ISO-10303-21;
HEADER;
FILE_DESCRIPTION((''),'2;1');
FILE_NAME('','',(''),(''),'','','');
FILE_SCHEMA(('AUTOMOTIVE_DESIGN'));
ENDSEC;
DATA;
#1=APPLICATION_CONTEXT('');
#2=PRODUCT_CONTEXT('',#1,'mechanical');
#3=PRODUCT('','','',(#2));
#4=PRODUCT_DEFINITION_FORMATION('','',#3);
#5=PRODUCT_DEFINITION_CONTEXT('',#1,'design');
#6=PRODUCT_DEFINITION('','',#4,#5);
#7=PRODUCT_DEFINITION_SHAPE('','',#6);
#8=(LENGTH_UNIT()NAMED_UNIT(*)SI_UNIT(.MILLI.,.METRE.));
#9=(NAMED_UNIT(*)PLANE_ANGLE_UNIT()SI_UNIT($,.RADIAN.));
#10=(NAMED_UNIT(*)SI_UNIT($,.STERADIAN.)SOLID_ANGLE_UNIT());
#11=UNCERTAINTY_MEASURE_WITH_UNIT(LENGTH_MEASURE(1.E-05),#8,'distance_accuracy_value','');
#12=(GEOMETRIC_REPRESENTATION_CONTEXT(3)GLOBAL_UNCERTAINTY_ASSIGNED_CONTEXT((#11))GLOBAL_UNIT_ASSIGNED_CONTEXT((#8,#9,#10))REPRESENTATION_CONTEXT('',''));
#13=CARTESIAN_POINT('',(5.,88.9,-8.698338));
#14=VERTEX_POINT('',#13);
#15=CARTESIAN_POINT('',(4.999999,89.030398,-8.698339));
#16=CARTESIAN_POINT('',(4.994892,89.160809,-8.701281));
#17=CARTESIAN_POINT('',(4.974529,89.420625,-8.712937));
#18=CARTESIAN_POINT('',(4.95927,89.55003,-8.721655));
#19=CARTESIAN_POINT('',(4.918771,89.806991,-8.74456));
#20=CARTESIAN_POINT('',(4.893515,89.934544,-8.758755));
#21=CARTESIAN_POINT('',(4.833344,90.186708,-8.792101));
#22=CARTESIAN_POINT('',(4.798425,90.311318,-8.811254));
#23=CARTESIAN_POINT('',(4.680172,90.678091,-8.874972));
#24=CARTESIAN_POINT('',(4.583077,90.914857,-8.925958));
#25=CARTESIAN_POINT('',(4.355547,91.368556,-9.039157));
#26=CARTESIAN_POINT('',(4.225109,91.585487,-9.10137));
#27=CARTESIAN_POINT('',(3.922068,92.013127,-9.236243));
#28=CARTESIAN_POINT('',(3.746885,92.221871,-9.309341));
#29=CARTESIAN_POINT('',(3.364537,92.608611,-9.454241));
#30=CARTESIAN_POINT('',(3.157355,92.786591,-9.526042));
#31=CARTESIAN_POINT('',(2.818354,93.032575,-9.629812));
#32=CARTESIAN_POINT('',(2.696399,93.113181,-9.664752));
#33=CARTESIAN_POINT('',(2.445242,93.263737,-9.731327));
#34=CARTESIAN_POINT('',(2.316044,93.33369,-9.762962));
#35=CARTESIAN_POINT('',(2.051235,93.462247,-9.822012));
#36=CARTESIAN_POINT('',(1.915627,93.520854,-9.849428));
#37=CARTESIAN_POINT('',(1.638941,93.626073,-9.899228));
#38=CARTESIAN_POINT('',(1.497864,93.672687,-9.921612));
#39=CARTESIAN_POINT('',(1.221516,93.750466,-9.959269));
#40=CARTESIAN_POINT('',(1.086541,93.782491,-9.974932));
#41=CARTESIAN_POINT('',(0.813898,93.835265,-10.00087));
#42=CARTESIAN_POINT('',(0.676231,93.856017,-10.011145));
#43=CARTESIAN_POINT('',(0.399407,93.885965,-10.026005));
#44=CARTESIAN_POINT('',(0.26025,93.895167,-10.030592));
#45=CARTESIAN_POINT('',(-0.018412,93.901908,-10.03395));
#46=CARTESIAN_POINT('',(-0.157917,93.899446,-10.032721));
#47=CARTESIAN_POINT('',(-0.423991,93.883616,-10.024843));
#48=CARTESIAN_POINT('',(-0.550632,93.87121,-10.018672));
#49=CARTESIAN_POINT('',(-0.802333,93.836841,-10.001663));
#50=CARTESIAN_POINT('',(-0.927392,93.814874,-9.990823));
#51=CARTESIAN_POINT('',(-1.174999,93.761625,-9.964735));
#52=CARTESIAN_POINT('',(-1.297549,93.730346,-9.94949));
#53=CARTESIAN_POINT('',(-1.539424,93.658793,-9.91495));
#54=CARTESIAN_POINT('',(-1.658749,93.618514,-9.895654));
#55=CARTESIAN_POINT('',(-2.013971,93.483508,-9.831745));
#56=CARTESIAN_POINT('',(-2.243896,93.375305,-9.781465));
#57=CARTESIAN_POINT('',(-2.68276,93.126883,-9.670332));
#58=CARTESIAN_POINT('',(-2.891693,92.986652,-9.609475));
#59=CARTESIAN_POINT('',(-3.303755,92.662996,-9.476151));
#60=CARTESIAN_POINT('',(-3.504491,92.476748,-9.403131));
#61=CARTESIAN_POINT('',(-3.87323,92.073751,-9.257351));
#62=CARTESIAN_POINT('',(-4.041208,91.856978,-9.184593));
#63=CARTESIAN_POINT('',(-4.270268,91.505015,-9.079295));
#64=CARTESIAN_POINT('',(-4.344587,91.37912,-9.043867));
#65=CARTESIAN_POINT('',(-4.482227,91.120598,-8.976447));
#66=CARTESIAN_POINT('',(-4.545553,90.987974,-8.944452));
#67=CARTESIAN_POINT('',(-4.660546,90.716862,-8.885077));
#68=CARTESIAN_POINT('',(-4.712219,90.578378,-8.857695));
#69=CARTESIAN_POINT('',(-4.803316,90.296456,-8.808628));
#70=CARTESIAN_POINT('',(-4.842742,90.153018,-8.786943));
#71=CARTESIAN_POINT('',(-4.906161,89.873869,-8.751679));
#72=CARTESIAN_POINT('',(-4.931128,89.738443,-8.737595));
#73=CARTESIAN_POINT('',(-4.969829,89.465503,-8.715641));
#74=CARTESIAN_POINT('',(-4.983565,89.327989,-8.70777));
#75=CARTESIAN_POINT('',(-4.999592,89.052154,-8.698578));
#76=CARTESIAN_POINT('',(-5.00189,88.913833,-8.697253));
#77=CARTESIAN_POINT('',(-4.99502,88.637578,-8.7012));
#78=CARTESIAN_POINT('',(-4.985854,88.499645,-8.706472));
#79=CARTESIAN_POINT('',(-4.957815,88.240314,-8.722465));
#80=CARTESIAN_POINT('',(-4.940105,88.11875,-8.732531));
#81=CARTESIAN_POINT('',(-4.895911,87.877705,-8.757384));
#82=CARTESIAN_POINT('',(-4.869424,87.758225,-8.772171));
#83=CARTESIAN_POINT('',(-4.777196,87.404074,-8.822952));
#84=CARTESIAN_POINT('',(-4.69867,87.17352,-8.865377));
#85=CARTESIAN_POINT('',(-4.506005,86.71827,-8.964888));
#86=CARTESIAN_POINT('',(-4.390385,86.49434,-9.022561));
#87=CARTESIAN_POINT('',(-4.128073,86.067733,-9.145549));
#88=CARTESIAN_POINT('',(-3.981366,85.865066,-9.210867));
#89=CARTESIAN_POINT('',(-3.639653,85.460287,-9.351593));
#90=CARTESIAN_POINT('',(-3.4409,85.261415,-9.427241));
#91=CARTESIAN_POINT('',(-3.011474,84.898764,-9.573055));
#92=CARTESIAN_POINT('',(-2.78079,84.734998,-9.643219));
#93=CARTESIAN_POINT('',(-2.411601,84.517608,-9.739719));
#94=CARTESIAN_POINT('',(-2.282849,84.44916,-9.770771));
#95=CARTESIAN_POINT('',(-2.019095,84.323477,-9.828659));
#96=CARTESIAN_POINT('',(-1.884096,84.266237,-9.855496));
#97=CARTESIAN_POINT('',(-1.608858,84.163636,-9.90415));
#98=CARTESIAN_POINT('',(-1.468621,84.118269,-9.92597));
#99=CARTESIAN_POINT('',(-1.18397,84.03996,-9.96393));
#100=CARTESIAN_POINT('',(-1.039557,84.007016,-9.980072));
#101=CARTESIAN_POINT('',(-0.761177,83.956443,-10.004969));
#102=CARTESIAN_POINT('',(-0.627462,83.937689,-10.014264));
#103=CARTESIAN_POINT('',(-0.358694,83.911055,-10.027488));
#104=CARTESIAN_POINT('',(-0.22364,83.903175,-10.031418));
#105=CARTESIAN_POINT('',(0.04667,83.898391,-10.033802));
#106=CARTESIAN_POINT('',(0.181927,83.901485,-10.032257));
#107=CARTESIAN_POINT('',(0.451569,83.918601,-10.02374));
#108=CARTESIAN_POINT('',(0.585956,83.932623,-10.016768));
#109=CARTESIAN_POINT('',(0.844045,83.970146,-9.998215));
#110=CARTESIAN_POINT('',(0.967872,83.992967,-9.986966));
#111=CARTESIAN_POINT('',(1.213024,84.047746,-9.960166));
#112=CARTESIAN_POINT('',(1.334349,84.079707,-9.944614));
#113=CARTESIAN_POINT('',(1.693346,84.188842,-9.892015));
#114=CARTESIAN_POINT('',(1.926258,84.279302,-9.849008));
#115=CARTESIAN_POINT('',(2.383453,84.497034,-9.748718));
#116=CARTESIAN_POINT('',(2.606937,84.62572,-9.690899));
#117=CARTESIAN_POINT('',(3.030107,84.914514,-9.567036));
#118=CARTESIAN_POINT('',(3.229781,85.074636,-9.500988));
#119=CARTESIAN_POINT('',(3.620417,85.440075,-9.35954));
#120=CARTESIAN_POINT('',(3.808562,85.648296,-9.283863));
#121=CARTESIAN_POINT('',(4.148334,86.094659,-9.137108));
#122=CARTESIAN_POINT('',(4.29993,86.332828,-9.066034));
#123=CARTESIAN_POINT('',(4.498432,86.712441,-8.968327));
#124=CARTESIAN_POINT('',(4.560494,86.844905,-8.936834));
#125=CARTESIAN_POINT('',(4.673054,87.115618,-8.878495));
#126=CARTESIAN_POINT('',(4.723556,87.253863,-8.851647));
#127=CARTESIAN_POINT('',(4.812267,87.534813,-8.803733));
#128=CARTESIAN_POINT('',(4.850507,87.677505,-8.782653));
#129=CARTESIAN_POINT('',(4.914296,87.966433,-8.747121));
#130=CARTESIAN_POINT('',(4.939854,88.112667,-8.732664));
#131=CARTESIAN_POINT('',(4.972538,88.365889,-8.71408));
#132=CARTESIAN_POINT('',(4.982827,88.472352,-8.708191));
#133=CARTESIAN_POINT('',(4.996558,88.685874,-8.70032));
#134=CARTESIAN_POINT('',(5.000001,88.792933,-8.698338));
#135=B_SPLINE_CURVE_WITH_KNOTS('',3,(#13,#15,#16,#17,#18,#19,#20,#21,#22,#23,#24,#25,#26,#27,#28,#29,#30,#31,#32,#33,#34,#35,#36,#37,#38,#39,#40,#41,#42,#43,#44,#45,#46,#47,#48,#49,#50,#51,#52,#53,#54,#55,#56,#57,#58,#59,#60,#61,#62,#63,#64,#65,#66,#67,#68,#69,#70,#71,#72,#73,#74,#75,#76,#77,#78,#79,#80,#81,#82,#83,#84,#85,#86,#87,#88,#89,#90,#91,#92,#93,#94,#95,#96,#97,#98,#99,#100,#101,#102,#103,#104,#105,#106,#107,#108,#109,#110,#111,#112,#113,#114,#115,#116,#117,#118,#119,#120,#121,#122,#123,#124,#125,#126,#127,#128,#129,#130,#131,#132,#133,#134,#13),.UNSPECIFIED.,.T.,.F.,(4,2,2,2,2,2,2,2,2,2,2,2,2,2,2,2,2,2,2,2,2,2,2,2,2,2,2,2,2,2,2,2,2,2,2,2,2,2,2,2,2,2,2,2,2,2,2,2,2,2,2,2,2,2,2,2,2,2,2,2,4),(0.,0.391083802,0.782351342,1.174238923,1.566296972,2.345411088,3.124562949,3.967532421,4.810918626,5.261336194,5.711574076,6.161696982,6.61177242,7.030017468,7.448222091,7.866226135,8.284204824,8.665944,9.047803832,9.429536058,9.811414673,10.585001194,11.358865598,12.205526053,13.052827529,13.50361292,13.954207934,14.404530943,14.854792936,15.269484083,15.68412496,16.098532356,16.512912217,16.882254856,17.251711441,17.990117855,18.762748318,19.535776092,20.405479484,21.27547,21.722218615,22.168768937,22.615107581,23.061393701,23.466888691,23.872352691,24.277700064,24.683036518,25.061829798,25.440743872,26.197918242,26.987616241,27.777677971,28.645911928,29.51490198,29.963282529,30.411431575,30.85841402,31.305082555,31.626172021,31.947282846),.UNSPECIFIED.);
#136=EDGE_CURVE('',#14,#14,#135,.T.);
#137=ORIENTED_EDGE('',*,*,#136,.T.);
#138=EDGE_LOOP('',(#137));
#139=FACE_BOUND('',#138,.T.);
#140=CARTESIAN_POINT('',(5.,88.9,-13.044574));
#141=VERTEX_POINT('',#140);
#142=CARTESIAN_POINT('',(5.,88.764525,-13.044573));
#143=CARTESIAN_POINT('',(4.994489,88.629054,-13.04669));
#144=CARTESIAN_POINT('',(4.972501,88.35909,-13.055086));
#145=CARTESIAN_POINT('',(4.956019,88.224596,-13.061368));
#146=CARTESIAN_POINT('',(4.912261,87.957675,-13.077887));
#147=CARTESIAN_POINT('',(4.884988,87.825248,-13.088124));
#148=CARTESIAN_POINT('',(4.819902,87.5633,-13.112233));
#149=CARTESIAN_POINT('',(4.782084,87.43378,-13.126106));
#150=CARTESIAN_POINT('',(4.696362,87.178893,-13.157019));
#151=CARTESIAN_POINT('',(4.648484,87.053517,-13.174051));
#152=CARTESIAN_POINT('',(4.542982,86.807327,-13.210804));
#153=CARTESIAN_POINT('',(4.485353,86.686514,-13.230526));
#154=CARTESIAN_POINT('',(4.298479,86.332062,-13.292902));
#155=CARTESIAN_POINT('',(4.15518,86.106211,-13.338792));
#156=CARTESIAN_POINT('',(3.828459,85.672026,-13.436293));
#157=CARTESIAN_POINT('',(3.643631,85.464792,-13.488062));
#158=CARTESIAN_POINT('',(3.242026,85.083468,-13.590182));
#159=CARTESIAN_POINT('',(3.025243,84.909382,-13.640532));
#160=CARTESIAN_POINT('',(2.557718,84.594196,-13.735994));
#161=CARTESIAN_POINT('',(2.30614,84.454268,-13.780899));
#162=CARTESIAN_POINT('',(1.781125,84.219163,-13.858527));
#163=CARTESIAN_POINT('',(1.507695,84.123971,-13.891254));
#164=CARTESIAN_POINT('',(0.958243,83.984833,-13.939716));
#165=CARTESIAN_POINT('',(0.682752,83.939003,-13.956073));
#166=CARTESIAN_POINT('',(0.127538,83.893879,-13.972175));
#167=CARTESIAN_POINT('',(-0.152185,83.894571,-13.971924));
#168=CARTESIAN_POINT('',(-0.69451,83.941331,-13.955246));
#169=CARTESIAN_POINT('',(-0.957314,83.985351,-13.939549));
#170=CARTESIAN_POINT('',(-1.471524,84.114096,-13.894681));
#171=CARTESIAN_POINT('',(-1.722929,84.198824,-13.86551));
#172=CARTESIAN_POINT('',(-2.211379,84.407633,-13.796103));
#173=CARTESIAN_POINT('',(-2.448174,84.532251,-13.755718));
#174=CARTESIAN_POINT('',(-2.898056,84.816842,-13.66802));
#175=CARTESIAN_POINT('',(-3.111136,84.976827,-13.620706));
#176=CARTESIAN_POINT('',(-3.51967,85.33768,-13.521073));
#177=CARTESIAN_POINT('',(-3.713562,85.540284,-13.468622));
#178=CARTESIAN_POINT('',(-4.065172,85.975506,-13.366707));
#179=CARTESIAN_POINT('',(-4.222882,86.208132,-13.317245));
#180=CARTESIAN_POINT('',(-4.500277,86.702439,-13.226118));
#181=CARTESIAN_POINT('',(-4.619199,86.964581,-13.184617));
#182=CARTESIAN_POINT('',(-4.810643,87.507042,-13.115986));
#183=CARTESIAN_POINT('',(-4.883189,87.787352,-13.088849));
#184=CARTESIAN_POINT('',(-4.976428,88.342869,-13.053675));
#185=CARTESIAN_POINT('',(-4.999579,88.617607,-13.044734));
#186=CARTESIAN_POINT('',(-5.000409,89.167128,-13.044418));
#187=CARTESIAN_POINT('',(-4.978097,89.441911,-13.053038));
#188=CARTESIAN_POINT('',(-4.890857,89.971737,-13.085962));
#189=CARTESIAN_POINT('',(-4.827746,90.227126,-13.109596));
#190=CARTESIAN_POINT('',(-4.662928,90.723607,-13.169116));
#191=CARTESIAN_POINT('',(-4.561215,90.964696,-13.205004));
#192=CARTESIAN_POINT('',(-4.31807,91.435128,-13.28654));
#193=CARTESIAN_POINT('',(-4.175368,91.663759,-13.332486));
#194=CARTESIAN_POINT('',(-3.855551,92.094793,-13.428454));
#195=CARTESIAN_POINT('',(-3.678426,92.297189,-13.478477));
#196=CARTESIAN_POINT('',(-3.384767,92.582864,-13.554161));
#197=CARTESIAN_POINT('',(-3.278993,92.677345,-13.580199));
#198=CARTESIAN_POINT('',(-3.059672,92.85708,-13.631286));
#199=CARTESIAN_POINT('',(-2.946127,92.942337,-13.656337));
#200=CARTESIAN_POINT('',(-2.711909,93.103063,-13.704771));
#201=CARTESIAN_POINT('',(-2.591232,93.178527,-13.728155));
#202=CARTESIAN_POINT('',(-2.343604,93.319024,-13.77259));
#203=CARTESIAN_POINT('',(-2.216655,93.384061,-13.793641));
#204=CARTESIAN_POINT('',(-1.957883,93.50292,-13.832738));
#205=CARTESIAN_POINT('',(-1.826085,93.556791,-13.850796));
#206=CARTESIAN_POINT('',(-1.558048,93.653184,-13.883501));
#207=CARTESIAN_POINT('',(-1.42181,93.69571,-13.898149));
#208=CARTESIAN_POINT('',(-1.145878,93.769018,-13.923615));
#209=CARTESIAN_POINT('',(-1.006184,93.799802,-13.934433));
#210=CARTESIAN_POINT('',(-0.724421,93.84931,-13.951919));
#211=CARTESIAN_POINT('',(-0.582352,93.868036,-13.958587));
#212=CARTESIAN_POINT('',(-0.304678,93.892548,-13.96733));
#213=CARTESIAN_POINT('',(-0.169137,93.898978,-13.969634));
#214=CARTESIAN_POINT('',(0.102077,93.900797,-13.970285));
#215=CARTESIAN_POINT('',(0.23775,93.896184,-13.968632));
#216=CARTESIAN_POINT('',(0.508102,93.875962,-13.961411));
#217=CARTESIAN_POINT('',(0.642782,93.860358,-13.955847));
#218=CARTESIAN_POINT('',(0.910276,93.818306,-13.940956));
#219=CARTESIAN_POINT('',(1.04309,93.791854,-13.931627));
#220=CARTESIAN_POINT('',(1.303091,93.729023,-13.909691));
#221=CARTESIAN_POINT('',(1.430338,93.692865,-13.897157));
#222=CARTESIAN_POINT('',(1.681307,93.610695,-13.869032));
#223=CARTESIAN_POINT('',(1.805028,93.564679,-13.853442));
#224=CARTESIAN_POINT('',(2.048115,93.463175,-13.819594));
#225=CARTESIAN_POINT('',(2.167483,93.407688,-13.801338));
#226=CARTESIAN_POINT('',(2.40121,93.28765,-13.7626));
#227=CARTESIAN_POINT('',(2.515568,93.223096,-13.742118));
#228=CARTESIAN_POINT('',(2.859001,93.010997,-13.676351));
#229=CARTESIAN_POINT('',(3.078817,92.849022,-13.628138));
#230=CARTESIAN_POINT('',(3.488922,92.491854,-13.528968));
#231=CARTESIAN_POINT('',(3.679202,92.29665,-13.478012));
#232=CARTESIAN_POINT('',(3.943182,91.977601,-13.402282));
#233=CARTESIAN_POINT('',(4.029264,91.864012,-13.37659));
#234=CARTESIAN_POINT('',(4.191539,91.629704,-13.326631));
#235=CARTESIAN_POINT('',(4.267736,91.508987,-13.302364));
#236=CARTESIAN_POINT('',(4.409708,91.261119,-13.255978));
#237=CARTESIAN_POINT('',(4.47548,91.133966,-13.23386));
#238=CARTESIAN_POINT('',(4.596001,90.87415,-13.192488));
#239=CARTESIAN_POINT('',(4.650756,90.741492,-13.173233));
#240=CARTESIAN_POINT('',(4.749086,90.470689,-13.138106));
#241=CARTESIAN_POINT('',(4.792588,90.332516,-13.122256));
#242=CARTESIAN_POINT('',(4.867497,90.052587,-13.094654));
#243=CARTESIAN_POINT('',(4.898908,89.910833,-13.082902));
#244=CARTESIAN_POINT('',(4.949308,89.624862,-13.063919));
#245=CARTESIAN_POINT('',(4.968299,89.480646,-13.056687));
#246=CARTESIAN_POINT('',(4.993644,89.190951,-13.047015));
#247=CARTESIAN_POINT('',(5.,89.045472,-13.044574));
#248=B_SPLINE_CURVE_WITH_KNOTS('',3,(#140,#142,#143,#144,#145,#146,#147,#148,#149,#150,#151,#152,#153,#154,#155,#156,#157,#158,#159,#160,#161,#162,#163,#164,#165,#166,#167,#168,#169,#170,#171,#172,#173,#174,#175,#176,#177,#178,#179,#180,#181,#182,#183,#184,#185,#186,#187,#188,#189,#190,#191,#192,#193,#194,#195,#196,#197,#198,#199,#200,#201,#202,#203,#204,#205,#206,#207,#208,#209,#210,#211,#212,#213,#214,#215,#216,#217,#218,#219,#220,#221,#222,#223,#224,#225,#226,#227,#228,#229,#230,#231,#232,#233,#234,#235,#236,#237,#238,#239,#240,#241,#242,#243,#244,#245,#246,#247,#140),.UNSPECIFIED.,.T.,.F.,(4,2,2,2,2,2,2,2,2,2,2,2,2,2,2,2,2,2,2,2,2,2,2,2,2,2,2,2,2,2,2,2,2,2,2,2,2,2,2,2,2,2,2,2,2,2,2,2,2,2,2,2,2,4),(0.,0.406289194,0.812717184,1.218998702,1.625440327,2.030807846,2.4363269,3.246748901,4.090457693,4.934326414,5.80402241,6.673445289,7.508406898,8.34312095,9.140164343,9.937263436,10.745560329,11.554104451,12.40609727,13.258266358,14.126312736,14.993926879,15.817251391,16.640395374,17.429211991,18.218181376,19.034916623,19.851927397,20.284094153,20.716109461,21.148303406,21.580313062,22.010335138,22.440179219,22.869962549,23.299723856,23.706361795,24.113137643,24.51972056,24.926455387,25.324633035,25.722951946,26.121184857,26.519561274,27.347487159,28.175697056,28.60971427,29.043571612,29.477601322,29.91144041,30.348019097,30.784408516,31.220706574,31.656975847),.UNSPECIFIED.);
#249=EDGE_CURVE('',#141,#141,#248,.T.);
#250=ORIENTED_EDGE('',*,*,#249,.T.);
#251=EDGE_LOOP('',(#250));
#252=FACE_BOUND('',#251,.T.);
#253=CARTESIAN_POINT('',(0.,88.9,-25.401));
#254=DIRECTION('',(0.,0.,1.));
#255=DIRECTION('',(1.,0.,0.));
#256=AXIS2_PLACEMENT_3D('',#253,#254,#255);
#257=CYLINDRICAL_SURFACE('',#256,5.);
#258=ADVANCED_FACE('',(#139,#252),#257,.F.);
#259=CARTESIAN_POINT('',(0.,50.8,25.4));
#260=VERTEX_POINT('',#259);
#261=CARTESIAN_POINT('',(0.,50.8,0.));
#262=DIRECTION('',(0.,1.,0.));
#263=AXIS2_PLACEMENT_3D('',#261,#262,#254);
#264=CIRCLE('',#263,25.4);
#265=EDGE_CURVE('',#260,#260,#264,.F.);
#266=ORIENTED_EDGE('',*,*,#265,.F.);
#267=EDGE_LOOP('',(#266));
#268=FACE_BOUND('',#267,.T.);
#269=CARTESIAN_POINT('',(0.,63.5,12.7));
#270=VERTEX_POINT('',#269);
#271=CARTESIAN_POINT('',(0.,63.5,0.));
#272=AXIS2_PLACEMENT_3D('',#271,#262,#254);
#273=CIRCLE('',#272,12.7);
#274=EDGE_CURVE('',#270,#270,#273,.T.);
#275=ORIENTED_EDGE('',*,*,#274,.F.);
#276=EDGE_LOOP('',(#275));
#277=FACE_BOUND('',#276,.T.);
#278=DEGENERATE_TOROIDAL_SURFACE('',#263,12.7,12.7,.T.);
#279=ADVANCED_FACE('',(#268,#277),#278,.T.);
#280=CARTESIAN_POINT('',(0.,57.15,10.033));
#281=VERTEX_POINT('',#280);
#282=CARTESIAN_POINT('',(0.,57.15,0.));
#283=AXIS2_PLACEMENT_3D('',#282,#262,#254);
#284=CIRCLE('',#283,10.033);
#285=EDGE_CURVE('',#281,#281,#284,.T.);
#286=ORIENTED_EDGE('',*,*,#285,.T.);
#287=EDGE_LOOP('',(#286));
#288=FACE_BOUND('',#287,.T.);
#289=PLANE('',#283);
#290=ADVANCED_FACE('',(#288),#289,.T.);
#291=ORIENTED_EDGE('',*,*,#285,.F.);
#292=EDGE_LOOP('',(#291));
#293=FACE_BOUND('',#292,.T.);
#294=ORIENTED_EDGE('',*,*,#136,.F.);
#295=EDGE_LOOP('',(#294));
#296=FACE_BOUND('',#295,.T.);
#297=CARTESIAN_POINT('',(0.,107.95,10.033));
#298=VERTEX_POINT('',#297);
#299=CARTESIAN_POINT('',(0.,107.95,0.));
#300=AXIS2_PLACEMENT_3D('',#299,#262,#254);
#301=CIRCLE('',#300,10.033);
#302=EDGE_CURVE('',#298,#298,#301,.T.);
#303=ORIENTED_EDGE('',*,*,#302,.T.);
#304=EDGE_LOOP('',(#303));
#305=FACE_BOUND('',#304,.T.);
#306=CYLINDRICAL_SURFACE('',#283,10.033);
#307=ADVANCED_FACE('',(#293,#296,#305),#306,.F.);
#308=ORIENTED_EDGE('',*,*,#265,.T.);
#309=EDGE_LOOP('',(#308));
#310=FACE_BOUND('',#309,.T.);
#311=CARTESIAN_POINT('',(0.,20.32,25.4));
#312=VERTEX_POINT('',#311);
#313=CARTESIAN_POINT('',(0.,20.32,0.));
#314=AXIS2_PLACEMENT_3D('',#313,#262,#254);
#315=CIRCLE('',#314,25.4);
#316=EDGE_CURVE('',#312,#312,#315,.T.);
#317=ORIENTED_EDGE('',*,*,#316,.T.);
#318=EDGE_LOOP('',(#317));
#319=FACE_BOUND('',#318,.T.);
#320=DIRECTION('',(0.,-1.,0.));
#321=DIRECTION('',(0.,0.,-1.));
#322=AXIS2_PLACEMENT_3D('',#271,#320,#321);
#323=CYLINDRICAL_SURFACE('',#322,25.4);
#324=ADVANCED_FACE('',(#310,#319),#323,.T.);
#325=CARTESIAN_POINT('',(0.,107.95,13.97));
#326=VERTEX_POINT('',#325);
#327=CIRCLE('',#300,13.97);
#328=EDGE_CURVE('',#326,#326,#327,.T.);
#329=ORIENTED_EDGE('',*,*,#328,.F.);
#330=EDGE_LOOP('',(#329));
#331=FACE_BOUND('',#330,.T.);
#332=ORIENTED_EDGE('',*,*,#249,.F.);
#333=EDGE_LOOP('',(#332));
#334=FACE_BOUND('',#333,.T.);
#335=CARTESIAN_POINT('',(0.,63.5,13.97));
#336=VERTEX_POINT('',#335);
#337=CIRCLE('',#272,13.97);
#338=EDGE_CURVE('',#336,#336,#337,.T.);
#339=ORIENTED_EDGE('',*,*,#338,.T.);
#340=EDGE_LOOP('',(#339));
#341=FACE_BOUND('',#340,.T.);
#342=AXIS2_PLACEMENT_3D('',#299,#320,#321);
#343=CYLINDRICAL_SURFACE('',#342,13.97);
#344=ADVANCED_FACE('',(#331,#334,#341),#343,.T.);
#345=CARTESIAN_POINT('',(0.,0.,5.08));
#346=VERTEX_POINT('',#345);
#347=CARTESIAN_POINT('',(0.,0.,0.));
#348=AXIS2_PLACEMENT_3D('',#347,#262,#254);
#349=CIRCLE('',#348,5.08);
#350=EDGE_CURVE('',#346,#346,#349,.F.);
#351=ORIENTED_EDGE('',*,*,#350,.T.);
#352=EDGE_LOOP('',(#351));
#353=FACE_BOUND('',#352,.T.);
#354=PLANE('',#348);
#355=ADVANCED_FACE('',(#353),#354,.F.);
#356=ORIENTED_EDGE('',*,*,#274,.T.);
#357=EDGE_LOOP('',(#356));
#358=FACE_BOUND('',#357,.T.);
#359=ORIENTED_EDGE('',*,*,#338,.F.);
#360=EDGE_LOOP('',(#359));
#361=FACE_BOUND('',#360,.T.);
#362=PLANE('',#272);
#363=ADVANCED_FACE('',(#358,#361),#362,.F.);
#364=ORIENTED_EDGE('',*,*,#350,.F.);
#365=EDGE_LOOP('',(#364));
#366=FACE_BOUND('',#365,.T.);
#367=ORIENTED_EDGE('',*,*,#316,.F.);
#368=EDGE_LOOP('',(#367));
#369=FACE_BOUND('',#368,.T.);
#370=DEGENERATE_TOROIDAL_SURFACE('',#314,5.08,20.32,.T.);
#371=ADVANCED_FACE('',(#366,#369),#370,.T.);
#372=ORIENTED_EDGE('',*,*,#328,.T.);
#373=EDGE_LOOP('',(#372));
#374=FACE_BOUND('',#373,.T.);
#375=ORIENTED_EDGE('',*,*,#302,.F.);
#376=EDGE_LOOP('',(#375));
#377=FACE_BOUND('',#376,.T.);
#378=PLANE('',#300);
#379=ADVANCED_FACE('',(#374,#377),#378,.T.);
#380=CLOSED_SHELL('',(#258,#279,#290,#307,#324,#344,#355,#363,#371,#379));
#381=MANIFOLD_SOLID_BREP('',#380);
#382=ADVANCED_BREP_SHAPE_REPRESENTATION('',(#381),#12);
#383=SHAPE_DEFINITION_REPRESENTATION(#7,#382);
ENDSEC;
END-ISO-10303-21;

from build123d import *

# Parameters (mm, degrees)
SKETCH1_R               = 25.4
BOSS_EXTRUDE1_DEPTH     = 63.5
FILLET2_R               = 20.32
FILLET3_R               = 12.7
SKETCH2_R               = 13.97
BOSS_EXTRUDE2_DEPTH     = 44.45
SKETCH4_R               = 10.033
CUT_EXTRUDE1_DEPTH      = 50.8
CUT_EXTRUDE2_REACH      = 27.4
CUT_EXTRUDE2_END_RADIUS = 13.97
SKETCH11_R              = 5


with BuildPart() as part:
    # Sketch1 → Boss-Extrude1 (new body)
    with BuildSketch(Plane(origin=(0, 0, 0), x_dir=(1, 0, 0), z_dir=(0, 1, 0))):
        with Locations(Location((0, 0, 0), (0, 0, 270))):  # turned: the seam where the file's is
            Circle(SKETCH1_R)
    extrude(amount=BOSS_EXTRUDE1_DEPTH)

    # Fillet2
    fillet2_edges = [part.edges().sort_by_distance(p)[0] for p in [
        (0, 0, -25.4),
    ]]
    fillet(fillet2_edges, radius=FILLET2_R)

    # Fillet3
    fillet3_edges = [part.edges().sort_by_distance(p)[0] for p in [
        (0, 63.5, -25.4),
    ]]
    fillet(fillet3_edges, radius=FILLET3_R)

    # Sketch2 → Boss-Extrude2 (add)
    with BuildSketch(Plane(origin=(0, 63.5, 0), x_dir=(1, 0, 0), z_dir=(0, 1, 0))):
        with Locations(Location((0, 0, 0), (0, 0, 270))):  # turned: the seam where the file's is
            Circle(SKETCH2_R)
    extrude(amount=BOSS_EXTRUDE2_DEPTH)

    # Sketch4 → Cut-Extrude1 (cut)
    with BuildSketch(Plane(origin=(0, 107.95, 0), x_dir=(1, 0, 0), z_dir=(0, 1, 0))):
        with Locations(Location((0, 0, 0), (0, 0, 270))):  # turned: the seam where the file's is
            Circle(SKETCH4_R)
    extrude(amount=-CUT_EXTRUDE1_DEPTH, mode=Mode.SUBTRACT)

    # Cut-Extrude2: up to this cylinder (the profile starts inside it)
    cut_extrude2_end = Plane(origin=(0, 88.9, 0), z_dir=(0, -1, 0)) * Cylinder(CUT_EXTRUDE2_END_RADIUS, 83.74, mode=Mode.PRIVATE)
    # Sketch11 → Cut-Extrude2 (cut, up to the surface)
    with BuildSketch(Plane.XY, mode=Mode.PRIVATE) as cut_extrude2_sk1:
        with Locations((0, 88.9)):
            Circle(SKETCH11_R)
    cut_extrude2_tool1 = extrude(cut_extrude2_sk1.sketch, amount=-CUT_EXTRUDE2_REACH, mode=Mode.PRIVATE) & cut_extrude2_end
    add(cut_extrude2_tool1.solids().sort_by_distance((0, 88.9, 0))[0], mode=Mode.SUBTRACT)


solid = part.part
